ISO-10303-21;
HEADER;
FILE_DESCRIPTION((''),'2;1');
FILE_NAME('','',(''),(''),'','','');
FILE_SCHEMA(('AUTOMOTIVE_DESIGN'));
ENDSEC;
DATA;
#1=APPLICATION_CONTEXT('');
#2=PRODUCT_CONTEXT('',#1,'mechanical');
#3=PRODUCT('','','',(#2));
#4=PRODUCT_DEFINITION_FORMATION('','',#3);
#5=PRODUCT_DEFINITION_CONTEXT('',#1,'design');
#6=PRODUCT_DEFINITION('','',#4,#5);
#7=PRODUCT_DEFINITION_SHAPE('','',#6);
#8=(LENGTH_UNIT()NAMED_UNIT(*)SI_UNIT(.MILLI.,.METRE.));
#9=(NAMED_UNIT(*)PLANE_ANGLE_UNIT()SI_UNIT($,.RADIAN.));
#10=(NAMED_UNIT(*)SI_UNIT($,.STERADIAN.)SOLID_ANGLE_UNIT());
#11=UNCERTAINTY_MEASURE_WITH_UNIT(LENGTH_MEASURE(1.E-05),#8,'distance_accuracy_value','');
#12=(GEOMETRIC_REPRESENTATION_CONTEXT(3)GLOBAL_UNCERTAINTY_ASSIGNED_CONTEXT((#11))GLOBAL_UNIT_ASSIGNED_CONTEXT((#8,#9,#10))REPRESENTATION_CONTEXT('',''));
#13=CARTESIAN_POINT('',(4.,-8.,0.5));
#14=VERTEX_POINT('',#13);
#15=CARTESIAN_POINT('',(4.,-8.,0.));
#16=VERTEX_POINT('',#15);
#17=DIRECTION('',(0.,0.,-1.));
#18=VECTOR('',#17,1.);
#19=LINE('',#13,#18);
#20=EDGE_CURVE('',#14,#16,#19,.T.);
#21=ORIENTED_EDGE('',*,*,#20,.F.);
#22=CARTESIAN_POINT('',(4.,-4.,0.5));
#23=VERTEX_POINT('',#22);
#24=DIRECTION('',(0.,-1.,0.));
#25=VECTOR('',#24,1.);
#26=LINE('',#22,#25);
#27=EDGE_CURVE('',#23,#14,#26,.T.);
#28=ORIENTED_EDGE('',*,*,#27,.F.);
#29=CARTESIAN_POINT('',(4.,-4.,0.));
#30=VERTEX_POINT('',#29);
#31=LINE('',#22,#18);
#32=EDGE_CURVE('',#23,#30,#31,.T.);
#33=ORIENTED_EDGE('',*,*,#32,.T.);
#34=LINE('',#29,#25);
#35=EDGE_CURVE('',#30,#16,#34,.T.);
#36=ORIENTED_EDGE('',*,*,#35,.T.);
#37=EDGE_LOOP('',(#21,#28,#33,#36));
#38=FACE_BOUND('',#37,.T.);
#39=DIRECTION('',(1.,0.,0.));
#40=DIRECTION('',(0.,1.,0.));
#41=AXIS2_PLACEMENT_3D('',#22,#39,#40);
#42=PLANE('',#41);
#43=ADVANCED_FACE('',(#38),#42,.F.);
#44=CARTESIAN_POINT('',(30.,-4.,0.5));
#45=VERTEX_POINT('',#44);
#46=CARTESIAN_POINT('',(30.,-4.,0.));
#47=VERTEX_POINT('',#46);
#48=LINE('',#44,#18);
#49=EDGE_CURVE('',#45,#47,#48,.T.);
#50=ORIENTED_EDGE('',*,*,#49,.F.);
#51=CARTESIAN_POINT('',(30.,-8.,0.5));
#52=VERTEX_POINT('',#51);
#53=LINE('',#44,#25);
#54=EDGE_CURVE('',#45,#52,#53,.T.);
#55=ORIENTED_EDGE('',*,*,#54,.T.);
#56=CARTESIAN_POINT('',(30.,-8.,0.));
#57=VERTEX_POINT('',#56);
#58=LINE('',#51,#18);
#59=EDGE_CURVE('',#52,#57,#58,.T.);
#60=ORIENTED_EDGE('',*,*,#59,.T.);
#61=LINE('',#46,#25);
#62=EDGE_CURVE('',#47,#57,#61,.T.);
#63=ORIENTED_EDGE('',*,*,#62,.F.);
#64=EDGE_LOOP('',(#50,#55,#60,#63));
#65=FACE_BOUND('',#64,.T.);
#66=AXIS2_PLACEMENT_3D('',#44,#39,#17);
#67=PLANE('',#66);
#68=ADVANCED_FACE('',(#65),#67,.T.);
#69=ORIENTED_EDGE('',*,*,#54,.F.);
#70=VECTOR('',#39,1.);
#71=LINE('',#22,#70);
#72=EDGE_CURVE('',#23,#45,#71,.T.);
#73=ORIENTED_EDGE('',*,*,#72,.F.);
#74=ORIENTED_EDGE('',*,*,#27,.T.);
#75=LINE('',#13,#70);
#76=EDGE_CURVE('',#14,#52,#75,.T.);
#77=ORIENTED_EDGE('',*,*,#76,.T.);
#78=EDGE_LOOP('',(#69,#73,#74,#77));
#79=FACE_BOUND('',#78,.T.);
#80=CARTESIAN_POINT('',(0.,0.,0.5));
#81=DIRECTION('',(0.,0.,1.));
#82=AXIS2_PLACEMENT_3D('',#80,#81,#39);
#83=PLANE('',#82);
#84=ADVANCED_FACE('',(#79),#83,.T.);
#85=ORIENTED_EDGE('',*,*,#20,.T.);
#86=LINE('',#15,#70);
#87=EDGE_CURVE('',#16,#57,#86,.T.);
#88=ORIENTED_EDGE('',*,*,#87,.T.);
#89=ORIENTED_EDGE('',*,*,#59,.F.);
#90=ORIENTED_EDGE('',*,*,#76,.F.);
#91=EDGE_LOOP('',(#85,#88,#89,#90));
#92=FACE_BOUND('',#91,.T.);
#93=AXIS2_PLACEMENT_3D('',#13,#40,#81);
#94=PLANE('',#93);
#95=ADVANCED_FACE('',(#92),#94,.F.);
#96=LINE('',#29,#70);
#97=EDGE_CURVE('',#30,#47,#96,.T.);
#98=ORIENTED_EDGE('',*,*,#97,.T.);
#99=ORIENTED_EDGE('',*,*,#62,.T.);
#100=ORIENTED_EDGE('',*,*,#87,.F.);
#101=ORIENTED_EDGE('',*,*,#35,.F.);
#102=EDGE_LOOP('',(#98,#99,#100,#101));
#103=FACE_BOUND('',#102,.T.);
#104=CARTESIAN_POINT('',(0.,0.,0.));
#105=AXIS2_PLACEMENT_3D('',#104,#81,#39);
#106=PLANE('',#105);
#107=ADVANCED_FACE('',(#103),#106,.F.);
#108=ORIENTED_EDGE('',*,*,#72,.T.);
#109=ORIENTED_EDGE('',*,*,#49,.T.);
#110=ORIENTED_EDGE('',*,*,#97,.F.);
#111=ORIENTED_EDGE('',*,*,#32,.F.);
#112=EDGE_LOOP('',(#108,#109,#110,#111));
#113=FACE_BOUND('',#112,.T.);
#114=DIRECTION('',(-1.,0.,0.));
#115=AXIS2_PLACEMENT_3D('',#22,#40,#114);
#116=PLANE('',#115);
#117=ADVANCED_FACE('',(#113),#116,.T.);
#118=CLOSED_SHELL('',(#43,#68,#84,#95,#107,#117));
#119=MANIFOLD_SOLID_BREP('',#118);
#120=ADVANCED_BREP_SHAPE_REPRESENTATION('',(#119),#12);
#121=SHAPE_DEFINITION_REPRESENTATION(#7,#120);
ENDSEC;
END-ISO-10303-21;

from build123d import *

# Parameters (mm, degrees)
SKETCH_1_W      = 26
SKETCH_1_H      = 4
EXTRUDE_1_DEPTH = 0.5


with BuildPart() as part:
    # 스케치1 → 보스-돌출1 (new body)
    with BuildSketch(Plane.XY):
        with Locations((17, -6)):
            Rectangle(SKETCH_1_W, SKETCH_1_H)
    extrude(amount=EXTRUDE_1_DEPTH)


solid = part.part
